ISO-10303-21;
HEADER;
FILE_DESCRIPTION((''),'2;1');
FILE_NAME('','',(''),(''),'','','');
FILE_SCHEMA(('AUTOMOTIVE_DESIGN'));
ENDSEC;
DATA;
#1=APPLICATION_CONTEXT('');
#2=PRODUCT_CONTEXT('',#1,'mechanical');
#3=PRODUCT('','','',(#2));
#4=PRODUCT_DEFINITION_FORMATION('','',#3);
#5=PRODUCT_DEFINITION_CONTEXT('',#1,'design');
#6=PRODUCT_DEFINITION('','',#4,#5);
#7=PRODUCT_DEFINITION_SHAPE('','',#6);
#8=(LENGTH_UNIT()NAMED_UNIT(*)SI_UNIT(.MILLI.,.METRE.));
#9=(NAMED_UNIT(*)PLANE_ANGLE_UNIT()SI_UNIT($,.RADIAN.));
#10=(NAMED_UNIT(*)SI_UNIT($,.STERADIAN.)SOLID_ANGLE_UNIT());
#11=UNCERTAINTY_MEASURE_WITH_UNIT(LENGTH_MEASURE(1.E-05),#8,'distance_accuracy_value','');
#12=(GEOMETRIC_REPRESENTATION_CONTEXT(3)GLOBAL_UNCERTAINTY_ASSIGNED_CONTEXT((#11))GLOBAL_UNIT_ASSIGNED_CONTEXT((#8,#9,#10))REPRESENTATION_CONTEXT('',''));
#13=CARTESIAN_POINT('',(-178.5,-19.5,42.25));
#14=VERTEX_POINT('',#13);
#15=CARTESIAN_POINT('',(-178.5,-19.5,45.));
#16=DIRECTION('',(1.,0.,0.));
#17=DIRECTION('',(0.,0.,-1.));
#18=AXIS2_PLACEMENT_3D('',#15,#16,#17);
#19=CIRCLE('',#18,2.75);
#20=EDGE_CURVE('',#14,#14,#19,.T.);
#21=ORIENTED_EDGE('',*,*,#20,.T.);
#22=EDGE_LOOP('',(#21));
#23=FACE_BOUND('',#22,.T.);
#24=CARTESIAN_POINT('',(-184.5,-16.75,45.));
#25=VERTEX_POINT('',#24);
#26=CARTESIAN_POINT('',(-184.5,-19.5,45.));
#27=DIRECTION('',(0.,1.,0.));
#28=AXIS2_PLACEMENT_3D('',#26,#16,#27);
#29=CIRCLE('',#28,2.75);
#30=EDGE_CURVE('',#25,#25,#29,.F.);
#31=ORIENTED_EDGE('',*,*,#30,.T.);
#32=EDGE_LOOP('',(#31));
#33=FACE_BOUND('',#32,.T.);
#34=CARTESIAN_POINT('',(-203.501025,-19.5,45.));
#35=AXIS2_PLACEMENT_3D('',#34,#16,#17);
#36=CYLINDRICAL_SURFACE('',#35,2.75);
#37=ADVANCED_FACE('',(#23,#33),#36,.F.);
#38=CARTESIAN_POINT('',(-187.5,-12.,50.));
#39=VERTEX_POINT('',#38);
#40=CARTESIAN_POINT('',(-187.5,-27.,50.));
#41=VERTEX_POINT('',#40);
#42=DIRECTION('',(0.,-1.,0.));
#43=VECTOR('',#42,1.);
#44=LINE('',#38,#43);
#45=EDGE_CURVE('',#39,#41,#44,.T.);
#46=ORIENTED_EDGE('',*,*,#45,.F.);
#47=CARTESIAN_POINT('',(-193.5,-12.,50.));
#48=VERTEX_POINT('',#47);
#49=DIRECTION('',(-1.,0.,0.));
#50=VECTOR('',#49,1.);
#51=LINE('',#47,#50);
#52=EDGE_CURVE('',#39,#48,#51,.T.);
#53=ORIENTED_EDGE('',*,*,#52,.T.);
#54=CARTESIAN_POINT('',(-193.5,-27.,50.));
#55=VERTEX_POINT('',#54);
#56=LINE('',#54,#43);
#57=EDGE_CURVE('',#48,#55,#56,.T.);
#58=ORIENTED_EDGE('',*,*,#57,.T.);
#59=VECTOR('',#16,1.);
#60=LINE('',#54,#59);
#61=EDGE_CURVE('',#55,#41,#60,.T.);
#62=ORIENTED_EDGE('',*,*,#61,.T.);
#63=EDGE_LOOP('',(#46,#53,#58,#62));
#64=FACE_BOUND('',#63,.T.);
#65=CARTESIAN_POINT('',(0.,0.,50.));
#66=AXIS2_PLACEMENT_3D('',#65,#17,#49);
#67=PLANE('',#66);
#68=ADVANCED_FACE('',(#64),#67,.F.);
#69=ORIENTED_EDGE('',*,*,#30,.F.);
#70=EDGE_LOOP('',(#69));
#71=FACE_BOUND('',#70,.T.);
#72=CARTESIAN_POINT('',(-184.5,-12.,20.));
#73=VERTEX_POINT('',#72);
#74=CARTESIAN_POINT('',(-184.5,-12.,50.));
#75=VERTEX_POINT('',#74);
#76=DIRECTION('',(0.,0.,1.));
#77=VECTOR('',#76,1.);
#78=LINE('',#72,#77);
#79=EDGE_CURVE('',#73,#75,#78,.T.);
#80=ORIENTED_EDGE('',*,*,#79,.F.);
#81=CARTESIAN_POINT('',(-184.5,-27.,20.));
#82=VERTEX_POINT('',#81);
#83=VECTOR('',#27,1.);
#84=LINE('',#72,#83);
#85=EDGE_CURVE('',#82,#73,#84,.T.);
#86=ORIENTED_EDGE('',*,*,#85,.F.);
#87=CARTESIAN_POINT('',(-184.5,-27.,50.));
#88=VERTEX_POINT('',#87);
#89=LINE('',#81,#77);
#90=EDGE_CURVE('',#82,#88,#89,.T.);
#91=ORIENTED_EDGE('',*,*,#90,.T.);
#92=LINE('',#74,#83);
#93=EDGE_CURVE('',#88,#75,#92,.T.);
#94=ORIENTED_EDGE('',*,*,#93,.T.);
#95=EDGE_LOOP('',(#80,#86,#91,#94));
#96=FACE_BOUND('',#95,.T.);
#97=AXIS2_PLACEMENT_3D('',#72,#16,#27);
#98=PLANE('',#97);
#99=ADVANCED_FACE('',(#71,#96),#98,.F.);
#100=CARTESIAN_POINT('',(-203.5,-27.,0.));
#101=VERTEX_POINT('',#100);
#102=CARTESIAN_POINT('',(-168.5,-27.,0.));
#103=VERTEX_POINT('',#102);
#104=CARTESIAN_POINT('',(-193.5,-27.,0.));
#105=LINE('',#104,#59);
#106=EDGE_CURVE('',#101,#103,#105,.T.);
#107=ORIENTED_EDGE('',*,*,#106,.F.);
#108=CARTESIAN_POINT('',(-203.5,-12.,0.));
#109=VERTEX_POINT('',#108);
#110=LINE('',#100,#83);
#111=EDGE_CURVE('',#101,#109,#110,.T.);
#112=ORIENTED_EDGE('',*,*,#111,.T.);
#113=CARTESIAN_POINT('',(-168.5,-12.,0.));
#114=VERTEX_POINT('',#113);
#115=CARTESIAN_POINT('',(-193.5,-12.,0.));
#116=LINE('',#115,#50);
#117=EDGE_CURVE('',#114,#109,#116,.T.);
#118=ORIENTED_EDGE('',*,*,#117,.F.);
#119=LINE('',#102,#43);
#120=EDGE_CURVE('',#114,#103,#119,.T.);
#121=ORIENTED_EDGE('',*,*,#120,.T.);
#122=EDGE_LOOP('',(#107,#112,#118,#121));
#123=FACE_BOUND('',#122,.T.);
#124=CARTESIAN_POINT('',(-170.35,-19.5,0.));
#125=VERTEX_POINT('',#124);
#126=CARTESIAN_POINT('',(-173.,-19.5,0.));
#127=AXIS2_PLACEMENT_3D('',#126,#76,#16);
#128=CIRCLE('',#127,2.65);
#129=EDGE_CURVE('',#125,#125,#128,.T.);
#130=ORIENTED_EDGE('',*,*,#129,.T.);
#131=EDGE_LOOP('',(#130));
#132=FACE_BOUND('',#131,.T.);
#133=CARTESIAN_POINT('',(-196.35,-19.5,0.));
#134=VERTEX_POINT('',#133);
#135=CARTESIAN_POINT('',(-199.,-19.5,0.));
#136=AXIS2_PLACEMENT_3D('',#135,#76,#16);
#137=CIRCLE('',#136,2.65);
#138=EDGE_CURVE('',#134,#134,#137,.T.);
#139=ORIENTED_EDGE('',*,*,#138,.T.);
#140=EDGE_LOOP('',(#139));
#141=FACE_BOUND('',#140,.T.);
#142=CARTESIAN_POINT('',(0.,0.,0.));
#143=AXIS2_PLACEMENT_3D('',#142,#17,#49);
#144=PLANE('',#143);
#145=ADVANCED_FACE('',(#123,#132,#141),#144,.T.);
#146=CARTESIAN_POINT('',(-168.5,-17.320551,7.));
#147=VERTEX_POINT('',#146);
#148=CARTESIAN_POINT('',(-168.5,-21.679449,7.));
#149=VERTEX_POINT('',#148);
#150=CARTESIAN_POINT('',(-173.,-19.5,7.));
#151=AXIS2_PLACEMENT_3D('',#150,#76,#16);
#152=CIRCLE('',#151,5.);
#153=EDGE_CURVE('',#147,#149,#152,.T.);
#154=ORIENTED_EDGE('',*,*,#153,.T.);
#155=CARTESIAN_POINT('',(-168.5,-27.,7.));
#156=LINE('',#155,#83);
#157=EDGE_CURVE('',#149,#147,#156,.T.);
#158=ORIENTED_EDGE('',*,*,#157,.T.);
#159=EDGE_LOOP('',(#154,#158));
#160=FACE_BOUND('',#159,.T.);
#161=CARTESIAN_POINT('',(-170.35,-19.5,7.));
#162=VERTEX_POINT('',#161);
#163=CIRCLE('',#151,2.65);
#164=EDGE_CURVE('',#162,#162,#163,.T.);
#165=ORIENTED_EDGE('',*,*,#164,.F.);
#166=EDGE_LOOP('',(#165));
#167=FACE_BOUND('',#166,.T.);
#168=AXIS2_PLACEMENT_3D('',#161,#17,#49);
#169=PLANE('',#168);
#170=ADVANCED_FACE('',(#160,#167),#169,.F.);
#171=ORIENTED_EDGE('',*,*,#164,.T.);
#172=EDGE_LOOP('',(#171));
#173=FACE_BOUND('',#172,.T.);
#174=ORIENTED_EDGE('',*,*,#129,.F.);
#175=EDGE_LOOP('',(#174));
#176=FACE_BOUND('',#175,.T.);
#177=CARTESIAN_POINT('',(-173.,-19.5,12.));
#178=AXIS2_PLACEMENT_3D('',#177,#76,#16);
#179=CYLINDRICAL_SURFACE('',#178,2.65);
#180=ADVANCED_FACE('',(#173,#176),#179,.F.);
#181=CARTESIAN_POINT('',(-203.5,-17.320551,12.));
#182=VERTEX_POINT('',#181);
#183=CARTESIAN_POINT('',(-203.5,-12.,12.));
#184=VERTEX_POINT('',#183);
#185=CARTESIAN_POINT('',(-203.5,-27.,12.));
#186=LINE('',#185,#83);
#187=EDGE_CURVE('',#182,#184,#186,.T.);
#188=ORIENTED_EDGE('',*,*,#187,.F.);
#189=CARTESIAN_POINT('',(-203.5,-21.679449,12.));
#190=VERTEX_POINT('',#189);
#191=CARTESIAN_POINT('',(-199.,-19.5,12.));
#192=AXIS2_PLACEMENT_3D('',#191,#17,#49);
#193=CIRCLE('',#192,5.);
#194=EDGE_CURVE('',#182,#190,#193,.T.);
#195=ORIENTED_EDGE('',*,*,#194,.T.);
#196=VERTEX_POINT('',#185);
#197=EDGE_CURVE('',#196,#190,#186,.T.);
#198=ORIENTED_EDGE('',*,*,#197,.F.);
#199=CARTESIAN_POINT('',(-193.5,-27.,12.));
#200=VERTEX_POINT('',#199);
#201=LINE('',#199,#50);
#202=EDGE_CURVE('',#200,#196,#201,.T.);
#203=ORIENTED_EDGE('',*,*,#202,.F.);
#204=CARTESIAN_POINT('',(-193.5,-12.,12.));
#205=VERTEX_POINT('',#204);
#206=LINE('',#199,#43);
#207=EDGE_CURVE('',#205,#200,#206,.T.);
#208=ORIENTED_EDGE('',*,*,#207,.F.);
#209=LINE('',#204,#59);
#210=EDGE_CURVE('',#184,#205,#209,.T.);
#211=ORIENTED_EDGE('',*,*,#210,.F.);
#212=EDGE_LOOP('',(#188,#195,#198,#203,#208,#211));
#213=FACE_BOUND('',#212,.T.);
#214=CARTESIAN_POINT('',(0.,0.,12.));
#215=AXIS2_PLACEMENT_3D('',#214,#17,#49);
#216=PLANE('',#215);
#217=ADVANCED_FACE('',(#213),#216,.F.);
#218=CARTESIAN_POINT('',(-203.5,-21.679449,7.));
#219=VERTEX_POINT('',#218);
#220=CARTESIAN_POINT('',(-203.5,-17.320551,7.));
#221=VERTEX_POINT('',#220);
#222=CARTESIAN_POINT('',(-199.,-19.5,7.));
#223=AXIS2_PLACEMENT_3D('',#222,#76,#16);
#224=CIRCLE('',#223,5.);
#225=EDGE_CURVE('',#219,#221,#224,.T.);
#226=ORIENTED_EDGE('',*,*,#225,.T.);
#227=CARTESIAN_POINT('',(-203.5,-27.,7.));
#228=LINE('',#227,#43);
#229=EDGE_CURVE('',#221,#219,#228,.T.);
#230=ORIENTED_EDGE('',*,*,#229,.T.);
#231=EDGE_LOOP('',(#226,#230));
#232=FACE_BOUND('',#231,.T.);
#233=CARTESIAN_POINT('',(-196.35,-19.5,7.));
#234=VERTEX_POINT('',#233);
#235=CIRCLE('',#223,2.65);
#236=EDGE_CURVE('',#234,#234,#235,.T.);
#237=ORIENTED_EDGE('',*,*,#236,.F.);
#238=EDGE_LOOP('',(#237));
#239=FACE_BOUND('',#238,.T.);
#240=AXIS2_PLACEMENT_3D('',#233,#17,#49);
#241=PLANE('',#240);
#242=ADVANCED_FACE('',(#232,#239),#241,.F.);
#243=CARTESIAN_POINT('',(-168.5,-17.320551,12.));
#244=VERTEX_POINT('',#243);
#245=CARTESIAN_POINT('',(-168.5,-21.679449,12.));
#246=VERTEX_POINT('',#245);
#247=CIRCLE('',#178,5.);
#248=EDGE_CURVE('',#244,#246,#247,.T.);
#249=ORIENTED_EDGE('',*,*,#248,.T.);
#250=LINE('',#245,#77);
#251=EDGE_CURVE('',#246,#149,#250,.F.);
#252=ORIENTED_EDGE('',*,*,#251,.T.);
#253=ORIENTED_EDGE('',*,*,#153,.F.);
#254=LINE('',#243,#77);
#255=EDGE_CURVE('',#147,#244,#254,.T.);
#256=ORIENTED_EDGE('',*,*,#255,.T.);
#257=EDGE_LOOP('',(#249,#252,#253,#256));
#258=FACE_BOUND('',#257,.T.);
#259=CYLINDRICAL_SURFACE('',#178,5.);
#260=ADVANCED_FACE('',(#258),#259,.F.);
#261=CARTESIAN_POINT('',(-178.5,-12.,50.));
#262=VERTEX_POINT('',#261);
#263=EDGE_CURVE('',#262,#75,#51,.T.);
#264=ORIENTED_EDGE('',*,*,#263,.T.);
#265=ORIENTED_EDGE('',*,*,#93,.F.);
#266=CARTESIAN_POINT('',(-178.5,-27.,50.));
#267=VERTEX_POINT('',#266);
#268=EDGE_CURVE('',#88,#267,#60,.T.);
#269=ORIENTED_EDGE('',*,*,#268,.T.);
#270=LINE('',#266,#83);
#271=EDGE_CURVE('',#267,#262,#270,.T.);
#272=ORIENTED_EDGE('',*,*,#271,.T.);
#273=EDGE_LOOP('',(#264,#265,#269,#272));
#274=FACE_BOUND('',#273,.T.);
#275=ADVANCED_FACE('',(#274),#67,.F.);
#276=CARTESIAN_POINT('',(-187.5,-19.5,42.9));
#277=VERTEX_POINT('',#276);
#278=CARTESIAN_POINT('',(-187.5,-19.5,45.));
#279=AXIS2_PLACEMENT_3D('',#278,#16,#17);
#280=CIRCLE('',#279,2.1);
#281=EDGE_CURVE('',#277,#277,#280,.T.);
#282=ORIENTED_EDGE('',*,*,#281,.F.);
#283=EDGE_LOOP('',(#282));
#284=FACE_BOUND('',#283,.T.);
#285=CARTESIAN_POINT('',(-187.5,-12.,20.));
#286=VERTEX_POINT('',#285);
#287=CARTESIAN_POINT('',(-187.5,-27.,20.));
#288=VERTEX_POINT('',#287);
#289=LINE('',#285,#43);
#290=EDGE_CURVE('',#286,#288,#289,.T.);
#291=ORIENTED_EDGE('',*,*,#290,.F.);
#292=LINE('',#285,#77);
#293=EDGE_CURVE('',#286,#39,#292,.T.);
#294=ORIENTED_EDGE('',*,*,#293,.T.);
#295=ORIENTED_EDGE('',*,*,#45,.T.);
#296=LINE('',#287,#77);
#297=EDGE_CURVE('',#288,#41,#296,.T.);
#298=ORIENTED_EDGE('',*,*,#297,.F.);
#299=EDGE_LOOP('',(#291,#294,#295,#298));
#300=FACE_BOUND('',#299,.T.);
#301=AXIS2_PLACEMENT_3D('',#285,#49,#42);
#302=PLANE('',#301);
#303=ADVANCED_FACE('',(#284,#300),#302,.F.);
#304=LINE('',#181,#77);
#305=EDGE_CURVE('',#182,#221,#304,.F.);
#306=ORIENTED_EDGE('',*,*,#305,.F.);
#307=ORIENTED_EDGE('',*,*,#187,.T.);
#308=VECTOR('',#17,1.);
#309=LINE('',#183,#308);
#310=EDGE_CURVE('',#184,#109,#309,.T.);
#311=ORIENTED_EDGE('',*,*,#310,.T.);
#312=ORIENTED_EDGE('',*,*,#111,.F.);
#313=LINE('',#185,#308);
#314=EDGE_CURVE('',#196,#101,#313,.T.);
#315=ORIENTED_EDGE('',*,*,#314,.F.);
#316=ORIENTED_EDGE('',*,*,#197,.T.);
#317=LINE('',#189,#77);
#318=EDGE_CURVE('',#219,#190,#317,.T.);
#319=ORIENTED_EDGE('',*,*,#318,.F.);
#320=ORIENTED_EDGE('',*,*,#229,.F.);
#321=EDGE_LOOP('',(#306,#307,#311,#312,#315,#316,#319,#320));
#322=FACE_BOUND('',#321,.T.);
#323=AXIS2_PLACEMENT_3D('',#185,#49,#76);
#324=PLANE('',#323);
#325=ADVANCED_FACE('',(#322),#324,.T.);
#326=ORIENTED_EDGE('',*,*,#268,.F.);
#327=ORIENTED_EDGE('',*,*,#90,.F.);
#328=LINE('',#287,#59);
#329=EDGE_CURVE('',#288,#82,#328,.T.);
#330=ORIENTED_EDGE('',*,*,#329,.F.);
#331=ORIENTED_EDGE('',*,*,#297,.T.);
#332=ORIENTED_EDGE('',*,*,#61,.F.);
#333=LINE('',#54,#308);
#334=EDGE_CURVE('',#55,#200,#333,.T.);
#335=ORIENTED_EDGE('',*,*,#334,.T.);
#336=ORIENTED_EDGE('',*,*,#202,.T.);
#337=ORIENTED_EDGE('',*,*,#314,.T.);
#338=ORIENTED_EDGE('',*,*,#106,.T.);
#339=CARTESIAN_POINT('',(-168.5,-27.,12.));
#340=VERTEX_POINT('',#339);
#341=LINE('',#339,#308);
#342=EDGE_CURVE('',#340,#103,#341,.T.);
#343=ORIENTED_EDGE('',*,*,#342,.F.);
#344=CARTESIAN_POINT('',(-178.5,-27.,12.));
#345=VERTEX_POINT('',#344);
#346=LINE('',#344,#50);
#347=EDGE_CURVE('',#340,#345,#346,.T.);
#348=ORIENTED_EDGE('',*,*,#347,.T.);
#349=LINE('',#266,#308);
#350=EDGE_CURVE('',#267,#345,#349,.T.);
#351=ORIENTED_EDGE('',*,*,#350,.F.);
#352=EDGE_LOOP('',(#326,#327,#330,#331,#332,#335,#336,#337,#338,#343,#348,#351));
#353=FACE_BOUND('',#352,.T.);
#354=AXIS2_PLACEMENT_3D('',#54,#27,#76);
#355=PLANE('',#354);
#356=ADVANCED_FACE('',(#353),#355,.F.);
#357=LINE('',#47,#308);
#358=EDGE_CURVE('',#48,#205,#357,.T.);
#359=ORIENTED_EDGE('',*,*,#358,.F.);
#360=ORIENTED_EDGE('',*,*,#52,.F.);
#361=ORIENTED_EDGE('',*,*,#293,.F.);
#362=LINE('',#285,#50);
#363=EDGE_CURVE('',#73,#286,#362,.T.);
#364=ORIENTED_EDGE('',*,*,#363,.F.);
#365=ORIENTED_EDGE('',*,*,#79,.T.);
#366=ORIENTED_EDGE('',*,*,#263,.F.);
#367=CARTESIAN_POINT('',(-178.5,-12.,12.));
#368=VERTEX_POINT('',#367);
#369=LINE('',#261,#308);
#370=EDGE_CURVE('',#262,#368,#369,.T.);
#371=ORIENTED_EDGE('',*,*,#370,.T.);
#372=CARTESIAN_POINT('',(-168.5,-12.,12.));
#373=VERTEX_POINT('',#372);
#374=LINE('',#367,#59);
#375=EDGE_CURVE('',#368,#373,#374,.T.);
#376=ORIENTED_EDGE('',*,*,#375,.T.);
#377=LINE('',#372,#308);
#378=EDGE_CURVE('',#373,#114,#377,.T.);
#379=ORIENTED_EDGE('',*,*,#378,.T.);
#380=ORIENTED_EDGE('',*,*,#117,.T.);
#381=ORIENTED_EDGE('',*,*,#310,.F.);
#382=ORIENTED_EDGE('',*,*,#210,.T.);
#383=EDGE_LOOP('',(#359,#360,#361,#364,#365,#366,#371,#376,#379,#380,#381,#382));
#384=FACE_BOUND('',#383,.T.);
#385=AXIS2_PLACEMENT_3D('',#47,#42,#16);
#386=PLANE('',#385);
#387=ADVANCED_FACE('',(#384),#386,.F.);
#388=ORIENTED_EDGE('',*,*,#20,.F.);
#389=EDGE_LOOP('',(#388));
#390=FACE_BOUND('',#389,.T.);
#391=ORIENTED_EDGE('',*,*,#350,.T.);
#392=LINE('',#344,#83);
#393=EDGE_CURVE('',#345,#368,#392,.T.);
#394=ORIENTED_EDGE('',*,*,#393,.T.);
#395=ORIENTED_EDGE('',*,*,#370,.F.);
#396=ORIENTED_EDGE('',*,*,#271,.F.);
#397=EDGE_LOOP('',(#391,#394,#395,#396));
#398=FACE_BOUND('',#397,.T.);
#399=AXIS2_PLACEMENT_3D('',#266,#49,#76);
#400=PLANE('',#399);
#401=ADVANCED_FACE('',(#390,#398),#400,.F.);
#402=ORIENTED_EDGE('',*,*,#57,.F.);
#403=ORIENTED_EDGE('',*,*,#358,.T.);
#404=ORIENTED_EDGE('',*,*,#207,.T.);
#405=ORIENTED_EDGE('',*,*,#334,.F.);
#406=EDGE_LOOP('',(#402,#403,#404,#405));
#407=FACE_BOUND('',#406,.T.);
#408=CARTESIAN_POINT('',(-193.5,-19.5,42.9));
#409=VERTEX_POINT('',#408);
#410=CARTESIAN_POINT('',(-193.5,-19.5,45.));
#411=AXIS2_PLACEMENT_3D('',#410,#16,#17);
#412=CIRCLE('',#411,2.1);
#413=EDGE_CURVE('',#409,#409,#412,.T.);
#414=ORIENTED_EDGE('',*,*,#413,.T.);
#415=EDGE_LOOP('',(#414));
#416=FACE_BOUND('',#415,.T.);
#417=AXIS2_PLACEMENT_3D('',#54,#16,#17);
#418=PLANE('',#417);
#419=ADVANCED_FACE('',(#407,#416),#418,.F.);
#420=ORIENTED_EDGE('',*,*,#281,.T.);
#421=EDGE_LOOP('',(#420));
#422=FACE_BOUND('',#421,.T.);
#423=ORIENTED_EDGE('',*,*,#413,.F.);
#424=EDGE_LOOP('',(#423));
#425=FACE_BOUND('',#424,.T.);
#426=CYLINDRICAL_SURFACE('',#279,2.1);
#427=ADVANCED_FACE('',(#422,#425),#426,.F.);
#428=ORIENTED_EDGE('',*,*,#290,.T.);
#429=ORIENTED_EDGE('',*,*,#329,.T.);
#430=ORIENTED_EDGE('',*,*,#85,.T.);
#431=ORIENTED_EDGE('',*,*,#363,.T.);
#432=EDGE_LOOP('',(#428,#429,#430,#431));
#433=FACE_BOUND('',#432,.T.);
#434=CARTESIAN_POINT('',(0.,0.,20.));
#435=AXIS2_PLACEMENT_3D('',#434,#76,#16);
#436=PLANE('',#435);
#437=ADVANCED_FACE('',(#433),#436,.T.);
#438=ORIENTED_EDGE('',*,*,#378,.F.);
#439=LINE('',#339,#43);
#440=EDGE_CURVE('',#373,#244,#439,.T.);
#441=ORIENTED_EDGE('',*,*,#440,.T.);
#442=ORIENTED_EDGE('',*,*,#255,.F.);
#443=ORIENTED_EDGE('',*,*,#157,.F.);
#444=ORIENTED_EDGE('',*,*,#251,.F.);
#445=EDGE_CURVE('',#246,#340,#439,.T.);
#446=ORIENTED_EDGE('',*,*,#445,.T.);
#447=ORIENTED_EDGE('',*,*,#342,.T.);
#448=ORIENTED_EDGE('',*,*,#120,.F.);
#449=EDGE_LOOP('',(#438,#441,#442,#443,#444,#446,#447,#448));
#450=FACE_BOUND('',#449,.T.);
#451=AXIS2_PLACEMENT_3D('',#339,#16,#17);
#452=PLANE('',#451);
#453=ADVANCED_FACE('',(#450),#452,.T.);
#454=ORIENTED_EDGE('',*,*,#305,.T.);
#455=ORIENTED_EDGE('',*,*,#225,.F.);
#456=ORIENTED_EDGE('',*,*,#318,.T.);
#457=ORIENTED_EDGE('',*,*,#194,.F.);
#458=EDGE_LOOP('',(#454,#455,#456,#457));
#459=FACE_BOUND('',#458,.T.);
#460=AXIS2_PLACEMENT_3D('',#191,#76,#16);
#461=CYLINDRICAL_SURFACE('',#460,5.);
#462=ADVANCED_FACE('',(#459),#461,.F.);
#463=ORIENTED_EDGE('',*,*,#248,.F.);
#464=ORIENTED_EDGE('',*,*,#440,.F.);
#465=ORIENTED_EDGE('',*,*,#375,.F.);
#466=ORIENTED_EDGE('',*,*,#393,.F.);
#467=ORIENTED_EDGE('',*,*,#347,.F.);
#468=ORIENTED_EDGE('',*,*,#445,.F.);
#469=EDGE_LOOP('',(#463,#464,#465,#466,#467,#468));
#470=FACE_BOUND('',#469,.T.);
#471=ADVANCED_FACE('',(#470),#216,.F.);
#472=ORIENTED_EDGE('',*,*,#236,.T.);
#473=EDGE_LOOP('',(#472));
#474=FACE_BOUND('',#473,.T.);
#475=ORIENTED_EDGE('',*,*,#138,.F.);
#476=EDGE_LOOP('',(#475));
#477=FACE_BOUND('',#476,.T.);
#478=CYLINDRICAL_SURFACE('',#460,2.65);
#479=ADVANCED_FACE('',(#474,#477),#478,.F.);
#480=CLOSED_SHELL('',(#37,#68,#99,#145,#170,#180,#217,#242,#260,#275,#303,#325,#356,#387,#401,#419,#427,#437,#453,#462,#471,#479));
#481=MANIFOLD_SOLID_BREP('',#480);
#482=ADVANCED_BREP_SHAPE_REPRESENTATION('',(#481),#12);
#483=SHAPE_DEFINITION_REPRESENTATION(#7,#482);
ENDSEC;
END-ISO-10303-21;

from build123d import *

# Parameters (mm, degrees)
SKETCH_1_W                   = 15
SKETCH_1_H                   = 15
EXTRUDE_1_DEPTH              = 50
SKETCH_2_W                   = 3
SKETCH_2_H                   = 15
CUT_EXTRUDE_1_DEPTH          = 30
SKETCH_3_W                   = 10
SKETCH_3_H                   = 15
EXTRUDE_2_DEPTH              = 12
HOLE_WIZARD_M5_2_D           = 5.3
HOLE_WIZARD_M5_2_CBORE_D     = 10
HOLE_WIZARD_M5_2_CBORE_DEPTH = 5
CUT_EXTRUDE_2_REACH          = 64.081
SKETCH_8_R                   = 2.75
M5X0_8_1_D                   = 4.2


with BuildPart() as part:
    # 草图1 → 凸台-拉伸1 (new body)
    with BuildSketch(Plane.XY):
        with Locations((-186, -19.5)):
            Rectangle(SKETCH_1_W, SKETCH_1_H)
    extrude(amount=EXTRUDE_1_DEPTH)

    # 草图2 → 切除-拉伸1 (cut)
    with BuildSketch(Plane.XY.offset(50)):
        with Locations((-186, -19.5)):
            Rectangle(SKETCH_2_W, SKETCH_2_H)
    extrude(amount=-CUT_EXTRUDE_1_DEPTH, mode=Mode.SUBTRACT)

    # 草图3 → 凸台-拉伸2 (add)
    with BuildSketch(Plane(origin=(0, 0, 0), x_dir=(-1, 0, 0), z_dir=(0, 0, -1))):
        with Locations((173.5, -19.5)):
            Rectangle(SKETCH_3_W, SKETCH_3_H)
        with Locations((198.5, -19.5)):
            Rectangle(SKETCH_3_W, SKETCH_3_H)
    extrude(amount=-EXTRUDE_2_DEPTH)

    # M5 凹头盖螺钉的柱形沉头孔2 (through all)
    with Locations(Plane.XY.offset(12)):
        with Locations((-199, -19.5), (-173, -19.5)):
            CounterBoreHole(HOLE_WIZARD_M5_2_D / 2, HOLE_WIZARD_M5_2_CBORE_D / 2, HOLE_WIZARD_M5_2_CBORE_DEPTH)

    # 草图8 → 切除-拉伸2 (cut, up to next)
    with BuildSketch(Plane(origin=(-178.5, 0, 0), x_dir=(0, 0, -1), z_dir=(1, 0, 0)), mode=Mode.PRIVATE) as cut_extrude_2_sk1:
        with Locations((-45, -19.5)):
            Circle(SKETCH_8_R)
    cut_extrude_2_tool1 = extrude(cut_extrude_2_sk1.sketch, amount=-CUT_EXTRUDE_2_REACH, mode=Mode.PRIVATE) & part.part
    add(cut_extrude_2_tool1.solids().sort_by_distance((-178.5, -19.5, 45))[0], mode=Mode.SUBTRACT)

    # M5x0.8 螺纹孔1 (through all)
    with Locations(Plane(origin=(-187.5, 0, 0), x_dir=(0, 0, -1), z_dir=(1, 0, 0))):
        with Locations((-45, -19.5)):
            Hole(M5X0_8_1_D / 2)


solid = part.part
